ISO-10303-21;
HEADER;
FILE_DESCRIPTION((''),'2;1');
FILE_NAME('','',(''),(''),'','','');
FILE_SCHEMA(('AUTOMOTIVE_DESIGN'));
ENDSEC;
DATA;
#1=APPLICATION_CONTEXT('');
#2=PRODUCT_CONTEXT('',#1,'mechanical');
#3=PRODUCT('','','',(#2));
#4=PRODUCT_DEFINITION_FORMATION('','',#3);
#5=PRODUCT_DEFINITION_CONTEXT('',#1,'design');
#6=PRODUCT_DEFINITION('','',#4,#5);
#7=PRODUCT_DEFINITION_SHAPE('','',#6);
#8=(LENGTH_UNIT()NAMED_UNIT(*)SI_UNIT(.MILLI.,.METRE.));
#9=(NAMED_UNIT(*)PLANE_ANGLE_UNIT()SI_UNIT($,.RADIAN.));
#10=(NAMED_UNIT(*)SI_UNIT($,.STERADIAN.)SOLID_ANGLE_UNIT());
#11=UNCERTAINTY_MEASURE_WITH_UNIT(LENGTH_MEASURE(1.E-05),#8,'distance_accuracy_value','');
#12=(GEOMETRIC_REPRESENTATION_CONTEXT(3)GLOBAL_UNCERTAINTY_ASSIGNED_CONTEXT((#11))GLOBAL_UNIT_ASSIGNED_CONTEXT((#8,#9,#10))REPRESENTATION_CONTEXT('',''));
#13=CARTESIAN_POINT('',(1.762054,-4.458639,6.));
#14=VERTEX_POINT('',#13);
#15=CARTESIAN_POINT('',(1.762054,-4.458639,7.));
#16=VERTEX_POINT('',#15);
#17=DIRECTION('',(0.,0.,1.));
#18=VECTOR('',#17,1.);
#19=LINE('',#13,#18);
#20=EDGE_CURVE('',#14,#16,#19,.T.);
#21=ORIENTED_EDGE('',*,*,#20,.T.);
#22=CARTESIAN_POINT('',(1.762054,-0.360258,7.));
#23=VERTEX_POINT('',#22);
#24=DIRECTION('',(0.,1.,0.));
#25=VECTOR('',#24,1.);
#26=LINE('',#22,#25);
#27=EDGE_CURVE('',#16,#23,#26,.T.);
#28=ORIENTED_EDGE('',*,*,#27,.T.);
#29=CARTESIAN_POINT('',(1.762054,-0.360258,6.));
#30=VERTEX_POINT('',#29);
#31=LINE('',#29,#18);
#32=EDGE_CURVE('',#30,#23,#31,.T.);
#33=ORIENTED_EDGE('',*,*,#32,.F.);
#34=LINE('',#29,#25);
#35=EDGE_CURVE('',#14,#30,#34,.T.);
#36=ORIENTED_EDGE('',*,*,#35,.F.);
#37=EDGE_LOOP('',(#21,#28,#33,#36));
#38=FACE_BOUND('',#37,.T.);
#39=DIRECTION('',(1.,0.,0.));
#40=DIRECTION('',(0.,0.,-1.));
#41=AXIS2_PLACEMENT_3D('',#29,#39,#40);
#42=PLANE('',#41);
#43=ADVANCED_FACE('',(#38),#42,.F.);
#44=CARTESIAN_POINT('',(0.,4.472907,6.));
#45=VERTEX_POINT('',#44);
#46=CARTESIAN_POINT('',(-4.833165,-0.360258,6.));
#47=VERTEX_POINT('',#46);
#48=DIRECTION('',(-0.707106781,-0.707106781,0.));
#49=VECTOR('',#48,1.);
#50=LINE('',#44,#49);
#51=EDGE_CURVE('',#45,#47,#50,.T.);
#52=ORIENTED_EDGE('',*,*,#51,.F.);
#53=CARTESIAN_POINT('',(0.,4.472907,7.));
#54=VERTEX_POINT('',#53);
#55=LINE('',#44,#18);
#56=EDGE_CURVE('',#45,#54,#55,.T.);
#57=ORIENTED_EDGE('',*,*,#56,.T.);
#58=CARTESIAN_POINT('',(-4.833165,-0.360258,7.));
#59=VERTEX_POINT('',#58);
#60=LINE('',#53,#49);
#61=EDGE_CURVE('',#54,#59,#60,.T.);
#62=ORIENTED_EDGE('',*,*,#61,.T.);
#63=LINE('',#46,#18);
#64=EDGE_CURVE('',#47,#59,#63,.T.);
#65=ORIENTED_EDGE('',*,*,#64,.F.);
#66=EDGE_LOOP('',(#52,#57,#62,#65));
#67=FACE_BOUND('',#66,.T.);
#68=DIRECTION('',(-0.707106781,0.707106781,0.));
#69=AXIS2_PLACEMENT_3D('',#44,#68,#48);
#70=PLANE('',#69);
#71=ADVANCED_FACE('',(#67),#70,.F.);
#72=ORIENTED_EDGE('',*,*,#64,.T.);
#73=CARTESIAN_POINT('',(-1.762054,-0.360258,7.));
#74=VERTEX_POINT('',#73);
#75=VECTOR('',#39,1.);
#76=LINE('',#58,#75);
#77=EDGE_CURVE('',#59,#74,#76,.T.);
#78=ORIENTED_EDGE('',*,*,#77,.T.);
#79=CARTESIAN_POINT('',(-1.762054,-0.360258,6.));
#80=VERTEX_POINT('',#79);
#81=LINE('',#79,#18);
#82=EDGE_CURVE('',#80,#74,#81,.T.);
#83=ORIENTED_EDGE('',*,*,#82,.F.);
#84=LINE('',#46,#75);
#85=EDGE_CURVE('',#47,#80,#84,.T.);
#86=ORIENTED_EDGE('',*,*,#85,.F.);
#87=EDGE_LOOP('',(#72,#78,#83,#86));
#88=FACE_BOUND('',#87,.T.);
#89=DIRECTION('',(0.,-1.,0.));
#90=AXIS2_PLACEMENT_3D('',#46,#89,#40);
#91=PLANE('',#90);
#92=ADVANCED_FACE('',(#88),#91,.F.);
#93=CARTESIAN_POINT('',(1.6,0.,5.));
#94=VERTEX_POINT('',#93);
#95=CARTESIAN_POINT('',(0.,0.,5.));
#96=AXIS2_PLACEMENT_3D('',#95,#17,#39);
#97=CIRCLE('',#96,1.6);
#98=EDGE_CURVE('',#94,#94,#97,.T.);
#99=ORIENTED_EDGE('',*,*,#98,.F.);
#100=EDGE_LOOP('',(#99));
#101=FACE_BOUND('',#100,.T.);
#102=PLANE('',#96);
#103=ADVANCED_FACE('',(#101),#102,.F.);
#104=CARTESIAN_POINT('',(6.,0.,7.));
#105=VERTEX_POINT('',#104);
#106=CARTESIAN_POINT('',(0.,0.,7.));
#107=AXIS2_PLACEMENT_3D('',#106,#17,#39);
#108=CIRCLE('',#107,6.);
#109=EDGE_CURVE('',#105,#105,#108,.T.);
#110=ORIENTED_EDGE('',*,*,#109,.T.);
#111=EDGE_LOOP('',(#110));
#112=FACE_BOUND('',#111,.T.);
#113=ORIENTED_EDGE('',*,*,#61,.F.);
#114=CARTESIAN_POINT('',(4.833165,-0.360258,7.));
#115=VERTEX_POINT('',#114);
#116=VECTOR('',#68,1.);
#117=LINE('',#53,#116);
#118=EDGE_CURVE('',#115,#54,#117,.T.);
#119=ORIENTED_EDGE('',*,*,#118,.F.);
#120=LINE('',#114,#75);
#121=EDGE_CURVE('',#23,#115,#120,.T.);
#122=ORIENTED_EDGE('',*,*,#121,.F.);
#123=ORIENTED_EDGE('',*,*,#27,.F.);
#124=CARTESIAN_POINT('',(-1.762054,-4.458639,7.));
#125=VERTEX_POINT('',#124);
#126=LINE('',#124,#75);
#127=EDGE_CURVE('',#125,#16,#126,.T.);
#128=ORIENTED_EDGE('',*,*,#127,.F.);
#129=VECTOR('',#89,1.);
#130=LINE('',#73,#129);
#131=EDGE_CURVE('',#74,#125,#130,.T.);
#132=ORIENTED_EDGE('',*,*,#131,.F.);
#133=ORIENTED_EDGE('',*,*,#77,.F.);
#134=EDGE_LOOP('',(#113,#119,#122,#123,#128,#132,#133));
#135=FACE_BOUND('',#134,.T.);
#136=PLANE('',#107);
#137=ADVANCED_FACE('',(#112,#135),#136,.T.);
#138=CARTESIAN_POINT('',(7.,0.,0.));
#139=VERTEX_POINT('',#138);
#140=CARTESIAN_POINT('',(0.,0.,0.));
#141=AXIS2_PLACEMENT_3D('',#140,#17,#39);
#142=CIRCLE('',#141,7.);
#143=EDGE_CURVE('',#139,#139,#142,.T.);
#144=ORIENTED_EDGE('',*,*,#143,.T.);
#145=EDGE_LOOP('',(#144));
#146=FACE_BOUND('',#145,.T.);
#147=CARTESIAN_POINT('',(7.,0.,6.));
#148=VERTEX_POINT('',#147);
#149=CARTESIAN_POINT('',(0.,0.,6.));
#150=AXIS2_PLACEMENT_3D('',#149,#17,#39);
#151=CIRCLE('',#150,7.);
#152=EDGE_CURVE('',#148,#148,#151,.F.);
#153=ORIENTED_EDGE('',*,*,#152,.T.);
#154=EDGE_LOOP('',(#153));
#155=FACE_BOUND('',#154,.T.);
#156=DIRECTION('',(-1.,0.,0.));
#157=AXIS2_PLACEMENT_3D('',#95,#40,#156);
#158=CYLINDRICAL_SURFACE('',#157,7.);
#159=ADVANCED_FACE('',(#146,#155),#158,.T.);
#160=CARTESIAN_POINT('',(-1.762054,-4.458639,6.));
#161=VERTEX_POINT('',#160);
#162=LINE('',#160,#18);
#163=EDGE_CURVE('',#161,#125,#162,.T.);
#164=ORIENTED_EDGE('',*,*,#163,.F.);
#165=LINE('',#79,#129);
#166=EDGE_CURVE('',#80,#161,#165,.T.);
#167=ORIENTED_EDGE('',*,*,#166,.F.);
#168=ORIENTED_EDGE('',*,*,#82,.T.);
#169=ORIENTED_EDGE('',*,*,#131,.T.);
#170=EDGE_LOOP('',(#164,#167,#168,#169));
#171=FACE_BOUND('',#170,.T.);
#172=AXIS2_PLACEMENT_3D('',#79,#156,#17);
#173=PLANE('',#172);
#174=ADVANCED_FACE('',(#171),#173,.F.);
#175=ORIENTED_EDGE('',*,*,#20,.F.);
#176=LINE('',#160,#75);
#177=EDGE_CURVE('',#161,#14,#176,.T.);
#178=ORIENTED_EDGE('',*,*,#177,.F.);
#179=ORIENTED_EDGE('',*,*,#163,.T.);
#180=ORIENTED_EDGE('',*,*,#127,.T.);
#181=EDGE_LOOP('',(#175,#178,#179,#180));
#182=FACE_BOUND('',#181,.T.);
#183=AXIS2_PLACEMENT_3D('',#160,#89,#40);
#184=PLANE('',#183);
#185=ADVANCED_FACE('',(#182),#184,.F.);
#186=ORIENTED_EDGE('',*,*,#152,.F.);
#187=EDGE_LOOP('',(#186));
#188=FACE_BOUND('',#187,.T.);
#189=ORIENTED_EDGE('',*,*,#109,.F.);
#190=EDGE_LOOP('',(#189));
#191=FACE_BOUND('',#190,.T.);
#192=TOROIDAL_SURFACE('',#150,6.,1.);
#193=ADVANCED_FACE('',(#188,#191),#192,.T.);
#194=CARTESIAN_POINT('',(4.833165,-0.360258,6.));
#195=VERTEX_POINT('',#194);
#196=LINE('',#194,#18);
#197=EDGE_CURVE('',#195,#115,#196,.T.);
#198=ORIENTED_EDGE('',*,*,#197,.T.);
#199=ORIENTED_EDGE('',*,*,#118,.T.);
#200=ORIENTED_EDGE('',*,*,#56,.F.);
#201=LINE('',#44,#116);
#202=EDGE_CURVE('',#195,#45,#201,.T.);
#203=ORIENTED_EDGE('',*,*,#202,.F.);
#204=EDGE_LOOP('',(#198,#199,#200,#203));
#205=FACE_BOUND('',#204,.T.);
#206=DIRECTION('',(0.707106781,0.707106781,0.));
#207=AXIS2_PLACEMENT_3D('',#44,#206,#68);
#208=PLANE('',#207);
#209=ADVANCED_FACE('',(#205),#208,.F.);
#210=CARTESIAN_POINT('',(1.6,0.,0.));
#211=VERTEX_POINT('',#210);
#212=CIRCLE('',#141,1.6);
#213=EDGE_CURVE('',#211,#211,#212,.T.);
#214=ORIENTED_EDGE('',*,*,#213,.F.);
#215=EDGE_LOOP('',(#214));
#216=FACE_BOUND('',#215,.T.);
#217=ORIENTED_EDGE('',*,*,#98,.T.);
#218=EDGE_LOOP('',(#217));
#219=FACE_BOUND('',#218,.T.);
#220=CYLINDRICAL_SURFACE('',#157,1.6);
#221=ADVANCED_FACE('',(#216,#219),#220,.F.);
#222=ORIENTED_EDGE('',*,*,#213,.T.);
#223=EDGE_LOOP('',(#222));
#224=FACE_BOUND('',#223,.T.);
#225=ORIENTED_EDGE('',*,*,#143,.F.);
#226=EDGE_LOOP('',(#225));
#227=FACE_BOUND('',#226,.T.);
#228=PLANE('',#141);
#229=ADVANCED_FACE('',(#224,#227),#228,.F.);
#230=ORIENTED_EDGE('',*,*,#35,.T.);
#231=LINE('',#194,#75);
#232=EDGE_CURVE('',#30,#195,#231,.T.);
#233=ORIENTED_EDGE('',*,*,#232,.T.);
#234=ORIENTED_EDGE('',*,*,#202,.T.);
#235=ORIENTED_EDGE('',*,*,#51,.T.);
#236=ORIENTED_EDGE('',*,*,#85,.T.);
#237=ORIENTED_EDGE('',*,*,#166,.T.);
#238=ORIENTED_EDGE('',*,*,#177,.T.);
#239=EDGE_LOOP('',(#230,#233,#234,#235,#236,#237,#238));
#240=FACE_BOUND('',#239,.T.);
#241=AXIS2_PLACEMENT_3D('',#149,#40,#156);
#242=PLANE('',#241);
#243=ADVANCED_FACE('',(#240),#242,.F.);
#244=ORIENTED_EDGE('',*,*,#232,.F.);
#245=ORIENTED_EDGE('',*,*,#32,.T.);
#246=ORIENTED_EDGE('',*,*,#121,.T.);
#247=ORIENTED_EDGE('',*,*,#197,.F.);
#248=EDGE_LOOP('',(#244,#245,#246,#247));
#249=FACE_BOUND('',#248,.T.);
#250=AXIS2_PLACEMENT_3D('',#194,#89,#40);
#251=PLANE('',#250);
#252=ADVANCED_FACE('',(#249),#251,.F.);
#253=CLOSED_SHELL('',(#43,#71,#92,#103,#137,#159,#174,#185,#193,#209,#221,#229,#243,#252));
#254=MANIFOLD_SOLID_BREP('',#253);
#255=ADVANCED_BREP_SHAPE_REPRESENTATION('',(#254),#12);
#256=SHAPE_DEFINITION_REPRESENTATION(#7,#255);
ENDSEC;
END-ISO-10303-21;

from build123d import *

# Parameters (mm, degrees)
SKETCH_1_R          = 7
SKETCH_1_R_2        = 1.6
EXTRUDE_1_DEPTH     = 5
SKETCH_2_R          = 7
EXTRUDE_2_DEPTH     = 2
FILLET_1_R          = 1
CUT_EXTRUDE_1_DEPTH = 1


with BuildPart() as part:
    # 草图1 → 凸台-拉伸1 (new body)
    with BuildSketch(Plane.XY):
        Circle(SKETCH_1_R)
        Circle(SKETCH_1_R_2, mode=Mode.SUBTRACT)
    extrude(amount=EXTRUDE_1_DEPTH)

    # 草图2 → 凸台-拉伸2 (add)
    with BuildSketch(Plane.XY.offset(5)):
        Circle(SKETCH_2_R)
    extrude(amount=EXTRUDE_2_DEPTH)

    # 圆角1
    fillet_1_edges = [part.edges().sort_by_distance(p)[0] for p in [
        (-7, 0, 7),
    ]]
    fillet(fillet_1_edges, radius=FILLET_1_R)

    # 草图4 → 切除-拉伸1 (cut)
    with BuildSketch(Plane.XY.offset(7)):
        Polygon((0, 4.472906985), (-4.833165044, -0.360258059), (-1.762054267, -0.360258059), (-1.762054267, -4.458639339), (1.762054267, -4.458639339), (1.762054267, -0.360258059), (4.833165044, -0.360258059), align=None)
    extrude(amount=-CUT_EXTRUDE_1_DEPTH, mode=Mode.SUBTRACT)


solid = part.part
